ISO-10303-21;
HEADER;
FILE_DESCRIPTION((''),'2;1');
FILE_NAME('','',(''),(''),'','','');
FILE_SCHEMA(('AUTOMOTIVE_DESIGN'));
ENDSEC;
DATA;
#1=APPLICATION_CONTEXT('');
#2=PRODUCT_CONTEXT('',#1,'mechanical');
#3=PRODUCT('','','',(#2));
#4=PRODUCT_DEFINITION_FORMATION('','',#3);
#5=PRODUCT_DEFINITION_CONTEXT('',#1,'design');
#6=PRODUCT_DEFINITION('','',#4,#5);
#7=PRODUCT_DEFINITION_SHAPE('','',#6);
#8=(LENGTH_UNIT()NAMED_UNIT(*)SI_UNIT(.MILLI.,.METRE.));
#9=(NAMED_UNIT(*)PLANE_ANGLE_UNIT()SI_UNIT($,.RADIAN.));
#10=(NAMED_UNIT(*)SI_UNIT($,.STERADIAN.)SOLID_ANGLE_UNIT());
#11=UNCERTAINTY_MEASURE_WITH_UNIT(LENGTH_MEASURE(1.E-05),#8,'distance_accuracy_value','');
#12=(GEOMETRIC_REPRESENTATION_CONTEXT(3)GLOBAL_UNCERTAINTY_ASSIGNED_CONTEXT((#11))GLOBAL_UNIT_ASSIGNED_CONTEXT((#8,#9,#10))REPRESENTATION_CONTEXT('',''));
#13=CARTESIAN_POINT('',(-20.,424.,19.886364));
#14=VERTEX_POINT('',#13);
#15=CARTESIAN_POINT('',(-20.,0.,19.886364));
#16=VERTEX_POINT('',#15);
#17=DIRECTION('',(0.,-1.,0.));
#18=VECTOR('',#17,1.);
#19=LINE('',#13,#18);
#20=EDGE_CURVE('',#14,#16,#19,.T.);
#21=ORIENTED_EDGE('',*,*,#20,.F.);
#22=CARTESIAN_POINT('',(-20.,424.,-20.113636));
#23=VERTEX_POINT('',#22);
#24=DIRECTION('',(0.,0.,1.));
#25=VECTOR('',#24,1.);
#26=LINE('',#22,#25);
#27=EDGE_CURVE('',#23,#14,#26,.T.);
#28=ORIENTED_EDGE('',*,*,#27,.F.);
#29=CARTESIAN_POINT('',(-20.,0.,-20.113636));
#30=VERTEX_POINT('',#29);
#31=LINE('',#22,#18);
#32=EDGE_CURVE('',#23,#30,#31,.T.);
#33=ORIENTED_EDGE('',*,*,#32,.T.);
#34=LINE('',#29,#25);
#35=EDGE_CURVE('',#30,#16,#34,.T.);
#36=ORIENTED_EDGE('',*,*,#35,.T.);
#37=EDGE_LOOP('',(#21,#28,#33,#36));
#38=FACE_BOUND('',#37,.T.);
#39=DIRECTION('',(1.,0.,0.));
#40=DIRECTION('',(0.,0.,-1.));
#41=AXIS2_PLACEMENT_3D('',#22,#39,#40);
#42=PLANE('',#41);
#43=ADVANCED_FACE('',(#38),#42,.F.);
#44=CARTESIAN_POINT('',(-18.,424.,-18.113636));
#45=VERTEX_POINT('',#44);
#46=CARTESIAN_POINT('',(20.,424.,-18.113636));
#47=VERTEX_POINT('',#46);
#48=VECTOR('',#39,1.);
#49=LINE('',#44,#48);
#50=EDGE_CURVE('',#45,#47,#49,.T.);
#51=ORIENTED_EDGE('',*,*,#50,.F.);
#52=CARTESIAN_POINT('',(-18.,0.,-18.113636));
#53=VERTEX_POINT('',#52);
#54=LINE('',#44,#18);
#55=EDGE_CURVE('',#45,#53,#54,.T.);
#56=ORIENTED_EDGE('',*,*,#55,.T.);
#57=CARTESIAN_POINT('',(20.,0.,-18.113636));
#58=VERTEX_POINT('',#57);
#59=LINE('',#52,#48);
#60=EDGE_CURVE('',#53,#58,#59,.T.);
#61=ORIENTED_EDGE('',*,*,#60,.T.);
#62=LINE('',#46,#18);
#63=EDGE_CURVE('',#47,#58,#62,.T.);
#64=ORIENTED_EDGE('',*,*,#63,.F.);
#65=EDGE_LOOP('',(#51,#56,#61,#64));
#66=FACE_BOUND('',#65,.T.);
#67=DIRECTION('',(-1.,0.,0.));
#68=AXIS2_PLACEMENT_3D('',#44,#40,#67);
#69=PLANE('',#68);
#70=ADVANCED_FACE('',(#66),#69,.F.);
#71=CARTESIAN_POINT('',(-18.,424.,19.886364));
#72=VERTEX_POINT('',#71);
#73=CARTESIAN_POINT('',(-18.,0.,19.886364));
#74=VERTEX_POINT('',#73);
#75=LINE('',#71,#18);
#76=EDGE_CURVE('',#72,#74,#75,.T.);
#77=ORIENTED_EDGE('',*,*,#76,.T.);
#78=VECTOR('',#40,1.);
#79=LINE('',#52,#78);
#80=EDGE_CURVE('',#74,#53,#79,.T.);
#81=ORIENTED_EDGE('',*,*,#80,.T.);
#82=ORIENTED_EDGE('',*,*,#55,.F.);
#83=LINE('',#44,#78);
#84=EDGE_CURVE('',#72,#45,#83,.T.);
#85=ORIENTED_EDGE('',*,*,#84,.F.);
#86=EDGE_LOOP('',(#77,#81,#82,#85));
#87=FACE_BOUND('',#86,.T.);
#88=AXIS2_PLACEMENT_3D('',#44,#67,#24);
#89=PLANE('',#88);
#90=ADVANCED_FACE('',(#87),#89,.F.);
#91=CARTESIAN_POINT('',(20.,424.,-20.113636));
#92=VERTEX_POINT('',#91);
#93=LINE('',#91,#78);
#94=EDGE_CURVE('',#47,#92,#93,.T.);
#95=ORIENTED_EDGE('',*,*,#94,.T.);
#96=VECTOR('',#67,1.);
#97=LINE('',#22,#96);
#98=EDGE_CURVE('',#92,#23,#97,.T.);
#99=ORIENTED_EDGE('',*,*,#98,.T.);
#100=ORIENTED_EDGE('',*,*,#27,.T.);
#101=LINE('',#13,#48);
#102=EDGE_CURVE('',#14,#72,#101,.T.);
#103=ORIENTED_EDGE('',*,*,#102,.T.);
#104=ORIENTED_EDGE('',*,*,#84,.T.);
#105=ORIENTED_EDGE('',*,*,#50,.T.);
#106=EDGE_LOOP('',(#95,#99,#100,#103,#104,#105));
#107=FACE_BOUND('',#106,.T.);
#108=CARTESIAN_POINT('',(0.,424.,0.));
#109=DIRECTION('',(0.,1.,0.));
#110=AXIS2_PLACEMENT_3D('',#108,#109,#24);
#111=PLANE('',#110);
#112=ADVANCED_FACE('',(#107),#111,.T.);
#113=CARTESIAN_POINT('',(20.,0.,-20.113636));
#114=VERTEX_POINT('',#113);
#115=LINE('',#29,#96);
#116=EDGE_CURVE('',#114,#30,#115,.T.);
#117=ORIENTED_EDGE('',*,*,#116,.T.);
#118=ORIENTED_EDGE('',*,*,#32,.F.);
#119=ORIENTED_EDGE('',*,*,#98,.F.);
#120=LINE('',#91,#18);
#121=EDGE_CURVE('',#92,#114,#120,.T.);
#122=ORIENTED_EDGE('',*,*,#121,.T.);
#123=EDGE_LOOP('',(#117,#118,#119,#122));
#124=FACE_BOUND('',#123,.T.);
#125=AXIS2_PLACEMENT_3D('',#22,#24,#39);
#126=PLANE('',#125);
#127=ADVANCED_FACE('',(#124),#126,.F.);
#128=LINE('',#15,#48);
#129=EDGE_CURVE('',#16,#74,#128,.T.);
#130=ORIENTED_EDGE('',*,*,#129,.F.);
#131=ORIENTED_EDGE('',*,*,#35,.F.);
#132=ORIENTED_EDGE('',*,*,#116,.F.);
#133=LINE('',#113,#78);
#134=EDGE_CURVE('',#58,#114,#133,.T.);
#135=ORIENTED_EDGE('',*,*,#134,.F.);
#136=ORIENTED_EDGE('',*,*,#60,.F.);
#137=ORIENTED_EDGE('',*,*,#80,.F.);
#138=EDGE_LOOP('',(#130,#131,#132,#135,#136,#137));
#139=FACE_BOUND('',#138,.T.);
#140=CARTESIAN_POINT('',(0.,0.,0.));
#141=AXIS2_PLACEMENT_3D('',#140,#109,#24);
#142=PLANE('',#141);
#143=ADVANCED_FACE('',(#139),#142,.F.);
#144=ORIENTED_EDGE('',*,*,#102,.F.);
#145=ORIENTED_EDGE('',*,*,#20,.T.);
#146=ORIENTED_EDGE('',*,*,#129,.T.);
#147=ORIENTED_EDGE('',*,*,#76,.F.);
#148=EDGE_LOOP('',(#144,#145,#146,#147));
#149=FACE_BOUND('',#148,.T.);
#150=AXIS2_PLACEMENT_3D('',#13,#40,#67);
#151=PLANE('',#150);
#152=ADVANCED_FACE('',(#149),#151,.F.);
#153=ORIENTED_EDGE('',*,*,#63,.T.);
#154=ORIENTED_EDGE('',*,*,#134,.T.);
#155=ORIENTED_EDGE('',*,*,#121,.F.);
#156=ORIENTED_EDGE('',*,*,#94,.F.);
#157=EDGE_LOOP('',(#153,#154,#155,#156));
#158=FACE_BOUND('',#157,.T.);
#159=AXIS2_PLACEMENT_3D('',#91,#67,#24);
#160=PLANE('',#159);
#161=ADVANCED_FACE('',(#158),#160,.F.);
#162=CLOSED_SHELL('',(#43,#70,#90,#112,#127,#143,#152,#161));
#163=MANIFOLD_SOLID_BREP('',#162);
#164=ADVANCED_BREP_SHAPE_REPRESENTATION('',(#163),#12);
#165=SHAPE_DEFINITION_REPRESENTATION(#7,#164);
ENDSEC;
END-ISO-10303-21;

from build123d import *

# Parameters (mm, degrees)
BOSS_EXTRU_1_DEPTH = 424


with BuildPart() as part:
    # Esquisse1 → Boss.-Extru.1 (new body)
    with BuildSketch(Plane(origin=(0, 0, 0), x_dir=(1, 0, 0), z_dir=(0, 1, 0))):
        Polygon((-20, 20.113636364), (20, 20.113636364), (20, 18.113636364), (-18, 18.113636364), (-18, -19.886363636), (-20, -19.886363636), align=None)
    extrude(amount=BOSS_EXTRU_1_DEPTH)


solid = part.part
